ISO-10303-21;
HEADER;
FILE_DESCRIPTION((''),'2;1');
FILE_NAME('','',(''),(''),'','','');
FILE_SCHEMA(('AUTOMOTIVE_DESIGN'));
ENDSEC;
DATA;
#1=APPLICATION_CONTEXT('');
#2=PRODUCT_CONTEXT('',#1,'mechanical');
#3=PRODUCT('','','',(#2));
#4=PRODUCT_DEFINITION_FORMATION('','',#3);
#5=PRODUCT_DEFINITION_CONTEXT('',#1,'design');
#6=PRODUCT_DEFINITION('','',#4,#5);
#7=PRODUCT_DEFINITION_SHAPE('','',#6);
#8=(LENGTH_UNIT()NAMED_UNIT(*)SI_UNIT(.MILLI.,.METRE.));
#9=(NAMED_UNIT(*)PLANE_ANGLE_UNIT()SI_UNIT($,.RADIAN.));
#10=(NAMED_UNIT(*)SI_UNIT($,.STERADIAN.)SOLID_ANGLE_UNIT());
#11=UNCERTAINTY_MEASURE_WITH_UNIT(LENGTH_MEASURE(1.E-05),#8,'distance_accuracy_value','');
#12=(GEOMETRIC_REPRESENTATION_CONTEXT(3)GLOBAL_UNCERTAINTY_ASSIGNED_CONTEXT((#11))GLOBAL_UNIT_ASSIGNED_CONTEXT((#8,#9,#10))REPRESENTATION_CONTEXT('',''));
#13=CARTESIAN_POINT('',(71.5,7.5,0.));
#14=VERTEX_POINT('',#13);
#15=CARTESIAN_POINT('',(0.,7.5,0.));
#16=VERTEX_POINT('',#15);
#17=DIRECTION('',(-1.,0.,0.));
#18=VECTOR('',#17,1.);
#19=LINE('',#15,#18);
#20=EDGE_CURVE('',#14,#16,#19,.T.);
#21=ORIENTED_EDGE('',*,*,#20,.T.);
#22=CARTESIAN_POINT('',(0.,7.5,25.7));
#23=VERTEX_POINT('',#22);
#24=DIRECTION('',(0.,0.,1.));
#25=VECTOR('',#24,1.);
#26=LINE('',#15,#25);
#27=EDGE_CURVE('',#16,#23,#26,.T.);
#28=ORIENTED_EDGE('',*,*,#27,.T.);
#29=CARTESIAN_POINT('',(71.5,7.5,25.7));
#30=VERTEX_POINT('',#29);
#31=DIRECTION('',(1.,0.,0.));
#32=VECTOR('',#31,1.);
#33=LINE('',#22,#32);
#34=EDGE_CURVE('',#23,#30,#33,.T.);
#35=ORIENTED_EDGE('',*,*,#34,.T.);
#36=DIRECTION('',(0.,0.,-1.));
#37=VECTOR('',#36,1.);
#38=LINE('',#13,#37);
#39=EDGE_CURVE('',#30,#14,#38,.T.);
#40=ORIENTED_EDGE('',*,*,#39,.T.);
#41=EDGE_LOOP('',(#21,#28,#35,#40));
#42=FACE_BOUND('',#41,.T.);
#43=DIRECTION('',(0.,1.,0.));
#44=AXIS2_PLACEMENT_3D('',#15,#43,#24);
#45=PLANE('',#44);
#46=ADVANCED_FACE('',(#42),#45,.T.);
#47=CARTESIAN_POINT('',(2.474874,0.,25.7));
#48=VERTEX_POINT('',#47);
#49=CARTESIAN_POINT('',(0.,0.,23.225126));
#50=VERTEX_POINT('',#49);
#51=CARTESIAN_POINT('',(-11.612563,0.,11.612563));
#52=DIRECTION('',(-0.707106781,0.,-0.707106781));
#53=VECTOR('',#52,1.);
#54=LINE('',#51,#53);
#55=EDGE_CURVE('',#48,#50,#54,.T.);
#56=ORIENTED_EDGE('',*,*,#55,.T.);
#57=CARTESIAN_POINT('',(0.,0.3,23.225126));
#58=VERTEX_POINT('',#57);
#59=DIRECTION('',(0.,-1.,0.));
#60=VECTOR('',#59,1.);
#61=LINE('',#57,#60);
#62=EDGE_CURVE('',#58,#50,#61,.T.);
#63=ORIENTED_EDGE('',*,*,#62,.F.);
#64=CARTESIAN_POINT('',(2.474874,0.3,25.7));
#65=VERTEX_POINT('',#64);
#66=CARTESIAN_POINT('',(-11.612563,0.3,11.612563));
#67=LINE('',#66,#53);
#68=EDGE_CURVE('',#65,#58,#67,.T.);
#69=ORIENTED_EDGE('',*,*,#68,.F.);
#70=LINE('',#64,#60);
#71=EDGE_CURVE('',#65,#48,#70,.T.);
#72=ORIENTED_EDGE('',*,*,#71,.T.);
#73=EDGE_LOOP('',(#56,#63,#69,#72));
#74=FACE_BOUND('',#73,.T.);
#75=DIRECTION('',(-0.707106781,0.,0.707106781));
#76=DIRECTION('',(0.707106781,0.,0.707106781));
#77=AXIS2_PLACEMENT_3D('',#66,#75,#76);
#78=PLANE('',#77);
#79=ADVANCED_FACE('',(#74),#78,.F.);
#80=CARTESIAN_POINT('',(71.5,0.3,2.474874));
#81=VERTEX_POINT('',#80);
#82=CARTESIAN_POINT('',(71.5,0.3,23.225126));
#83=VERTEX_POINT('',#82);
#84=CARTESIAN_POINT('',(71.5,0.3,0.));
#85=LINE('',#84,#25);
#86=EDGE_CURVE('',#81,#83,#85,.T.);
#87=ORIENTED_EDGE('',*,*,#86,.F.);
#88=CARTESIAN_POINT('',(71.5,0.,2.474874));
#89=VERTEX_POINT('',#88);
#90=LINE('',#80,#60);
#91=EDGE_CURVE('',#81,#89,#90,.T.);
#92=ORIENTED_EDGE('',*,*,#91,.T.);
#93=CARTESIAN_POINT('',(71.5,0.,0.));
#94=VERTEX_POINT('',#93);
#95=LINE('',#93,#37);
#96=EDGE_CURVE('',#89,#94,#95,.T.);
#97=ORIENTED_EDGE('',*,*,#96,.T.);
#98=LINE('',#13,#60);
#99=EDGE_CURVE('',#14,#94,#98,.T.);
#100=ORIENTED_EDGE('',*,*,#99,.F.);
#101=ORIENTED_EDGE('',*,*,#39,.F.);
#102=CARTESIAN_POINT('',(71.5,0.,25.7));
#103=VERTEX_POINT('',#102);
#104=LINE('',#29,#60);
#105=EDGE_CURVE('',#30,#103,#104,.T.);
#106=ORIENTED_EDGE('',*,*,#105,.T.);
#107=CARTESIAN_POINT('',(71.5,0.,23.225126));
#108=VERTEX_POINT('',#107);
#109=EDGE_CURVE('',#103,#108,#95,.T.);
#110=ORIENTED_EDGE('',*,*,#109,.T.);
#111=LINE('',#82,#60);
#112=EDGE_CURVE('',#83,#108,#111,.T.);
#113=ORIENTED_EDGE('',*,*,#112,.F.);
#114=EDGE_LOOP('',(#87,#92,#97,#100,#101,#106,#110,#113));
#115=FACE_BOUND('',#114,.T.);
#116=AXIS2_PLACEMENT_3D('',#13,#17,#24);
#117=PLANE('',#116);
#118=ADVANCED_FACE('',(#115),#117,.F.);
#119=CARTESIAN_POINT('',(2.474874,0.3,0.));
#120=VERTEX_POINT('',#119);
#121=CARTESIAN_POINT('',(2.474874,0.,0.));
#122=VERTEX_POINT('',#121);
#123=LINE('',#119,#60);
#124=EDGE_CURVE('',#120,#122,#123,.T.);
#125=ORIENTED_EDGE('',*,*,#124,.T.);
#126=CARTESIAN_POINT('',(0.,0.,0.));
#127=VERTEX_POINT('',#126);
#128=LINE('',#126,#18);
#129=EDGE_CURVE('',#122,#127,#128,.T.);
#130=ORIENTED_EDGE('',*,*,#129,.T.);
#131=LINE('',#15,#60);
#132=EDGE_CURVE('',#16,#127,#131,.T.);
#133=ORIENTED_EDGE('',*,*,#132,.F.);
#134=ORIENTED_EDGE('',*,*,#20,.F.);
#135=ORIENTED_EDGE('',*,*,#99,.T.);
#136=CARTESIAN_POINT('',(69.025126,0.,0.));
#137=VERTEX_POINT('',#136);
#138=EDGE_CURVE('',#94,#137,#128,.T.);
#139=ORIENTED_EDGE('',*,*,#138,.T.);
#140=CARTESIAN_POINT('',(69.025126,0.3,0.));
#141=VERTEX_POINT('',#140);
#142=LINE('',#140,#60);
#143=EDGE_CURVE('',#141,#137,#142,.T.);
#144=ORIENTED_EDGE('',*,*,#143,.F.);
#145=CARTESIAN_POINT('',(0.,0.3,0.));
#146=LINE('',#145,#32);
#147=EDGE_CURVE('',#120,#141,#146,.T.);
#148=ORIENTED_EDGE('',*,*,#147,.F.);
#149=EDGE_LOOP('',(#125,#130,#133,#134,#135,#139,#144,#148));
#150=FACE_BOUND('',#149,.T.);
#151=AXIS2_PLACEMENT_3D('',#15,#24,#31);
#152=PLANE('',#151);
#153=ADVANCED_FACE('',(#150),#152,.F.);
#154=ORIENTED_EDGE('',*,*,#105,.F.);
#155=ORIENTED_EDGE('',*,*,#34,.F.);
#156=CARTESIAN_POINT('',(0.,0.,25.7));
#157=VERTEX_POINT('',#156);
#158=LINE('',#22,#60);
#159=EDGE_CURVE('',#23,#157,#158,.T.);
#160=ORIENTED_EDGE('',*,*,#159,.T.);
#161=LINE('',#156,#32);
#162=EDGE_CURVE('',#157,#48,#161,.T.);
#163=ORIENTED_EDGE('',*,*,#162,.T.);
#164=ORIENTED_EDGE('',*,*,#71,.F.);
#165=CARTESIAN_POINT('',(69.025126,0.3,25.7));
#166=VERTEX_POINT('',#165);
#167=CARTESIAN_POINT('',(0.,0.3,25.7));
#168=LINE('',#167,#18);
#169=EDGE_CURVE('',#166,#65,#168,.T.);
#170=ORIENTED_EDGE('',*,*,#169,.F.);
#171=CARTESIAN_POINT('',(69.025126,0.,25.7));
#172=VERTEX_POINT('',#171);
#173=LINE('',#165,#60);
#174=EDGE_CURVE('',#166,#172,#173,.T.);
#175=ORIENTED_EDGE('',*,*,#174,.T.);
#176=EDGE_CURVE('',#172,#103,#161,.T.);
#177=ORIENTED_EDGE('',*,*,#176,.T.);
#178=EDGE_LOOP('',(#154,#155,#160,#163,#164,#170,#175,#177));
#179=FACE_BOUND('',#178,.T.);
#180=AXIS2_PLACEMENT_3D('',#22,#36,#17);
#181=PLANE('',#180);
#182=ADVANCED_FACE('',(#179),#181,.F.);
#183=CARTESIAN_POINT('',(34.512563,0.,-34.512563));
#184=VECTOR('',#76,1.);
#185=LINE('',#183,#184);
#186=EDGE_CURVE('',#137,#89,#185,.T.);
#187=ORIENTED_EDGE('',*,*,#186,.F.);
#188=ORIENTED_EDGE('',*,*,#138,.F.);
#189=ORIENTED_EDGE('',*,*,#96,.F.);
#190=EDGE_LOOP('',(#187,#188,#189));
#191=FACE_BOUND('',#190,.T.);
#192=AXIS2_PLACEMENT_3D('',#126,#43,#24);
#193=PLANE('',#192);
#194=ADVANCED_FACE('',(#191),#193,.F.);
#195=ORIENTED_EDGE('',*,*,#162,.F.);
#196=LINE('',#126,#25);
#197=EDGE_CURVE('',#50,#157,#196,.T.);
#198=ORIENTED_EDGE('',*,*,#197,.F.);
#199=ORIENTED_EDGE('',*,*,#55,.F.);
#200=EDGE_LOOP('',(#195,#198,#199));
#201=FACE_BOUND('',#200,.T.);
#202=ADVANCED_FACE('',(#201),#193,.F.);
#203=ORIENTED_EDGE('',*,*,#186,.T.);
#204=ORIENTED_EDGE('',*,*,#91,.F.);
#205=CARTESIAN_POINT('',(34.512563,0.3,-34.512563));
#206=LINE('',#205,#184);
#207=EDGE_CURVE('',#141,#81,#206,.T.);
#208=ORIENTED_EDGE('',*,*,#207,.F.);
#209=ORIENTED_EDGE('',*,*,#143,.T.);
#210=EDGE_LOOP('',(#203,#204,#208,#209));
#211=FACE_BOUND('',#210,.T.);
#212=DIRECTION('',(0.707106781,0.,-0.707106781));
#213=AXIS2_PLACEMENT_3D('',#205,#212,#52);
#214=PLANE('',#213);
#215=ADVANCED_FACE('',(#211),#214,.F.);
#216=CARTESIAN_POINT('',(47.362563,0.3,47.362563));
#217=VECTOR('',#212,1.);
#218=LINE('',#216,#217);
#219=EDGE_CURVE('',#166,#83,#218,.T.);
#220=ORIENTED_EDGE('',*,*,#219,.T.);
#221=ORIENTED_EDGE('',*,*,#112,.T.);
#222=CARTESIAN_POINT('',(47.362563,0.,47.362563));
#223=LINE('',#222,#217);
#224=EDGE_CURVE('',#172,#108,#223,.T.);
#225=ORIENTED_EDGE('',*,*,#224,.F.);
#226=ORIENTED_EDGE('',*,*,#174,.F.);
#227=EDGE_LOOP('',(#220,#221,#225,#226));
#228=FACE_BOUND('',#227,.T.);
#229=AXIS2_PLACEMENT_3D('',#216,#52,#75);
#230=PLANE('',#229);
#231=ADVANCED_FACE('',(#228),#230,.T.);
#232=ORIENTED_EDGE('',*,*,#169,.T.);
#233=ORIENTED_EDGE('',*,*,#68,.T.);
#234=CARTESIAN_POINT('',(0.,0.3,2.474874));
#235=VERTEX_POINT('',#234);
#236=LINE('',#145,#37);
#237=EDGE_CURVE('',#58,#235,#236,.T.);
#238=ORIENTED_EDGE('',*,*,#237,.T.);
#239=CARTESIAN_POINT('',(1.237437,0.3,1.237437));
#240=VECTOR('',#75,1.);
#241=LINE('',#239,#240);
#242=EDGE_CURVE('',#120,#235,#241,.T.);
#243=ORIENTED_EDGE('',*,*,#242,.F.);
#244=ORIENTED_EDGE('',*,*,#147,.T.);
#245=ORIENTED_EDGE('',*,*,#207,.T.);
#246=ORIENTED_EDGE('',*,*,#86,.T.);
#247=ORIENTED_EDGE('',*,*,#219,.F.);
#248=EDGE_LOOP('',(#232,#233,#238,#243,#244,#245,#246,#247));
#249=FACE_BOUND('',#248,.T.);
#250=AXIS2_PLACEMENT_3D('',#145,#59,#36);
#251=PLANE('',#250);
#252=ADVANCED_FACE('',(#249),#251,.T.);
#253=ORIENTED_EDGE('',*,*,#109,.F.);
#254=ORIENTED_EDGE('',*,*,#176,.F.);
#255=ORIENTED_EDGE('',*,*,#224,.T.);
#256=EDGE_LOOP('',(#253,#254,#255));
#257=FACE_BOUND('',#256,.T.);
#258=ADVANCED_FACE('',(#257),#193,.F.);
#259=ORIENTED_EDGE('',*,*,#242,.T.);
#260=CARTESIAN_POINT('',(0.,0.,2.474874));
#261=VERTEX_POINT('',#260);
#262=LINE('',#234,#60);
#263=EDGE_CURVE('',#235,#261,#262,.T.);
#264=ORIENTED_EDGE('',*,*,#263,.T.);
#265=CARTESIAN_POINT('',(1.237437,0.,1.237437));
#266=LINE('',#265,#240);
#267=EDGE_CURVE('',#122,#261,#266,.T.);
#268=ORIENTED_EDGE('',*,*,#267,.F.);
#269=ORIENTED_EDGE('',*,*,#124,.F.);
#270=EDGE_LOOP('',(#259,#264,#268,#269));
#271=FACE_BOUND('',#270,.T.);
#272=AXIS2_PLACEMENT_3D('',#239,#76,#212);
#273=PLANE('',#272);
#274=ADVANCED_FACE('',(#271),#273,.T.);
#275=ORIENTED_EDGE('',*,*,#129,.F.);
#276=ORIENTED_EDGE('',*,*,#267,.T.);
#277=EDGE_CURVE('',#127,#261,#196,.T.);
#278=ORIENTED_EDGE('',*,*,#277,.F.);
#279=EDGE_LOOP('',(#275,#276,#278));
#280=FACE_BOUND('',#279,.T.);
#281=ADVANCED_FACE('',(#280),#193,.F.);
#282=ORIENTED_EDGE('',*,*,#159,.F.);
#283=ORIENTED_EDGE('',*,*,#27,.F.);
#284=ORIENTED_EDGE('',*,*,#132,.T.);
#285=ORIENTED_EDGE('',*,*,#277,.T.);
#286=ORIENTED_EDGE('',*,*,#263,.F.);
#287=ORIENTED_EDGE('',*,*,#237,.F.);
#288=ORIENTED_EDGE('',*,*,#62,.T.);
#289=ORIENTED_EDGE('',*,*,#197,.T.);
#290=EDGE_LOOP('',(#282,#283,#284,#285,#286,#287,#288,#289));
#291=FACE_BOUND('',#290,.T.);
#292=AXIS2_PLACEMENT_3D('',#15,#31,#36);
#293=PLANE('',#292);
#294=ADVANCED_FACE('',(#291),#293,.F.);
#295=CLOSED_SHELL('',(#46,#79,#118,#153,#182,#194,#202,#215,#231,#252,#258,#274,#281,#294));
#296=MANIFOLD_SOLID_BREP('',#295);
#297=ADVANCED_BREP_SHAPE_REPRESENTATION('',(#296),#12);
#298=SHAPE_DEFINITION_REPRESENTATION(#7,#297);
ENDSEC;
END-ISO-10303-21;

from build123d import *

# Parameters (mm, degrees)
SKETCH_1_W          = 71.5
SKETCH_1_H          = 25.7
EXTRUDE_1_DEPTH     = 7.5
CUT_EXTRUDE_1_DEPTH = 0.3


with BuildPart() as part:
    # 草图1 → 凸台-拉伸1 (new body)
    with BuildSketch(Plane(origin=(0, 0, 0), x_dir=(1, 0, 0), z_dir=(0, 1, 0))):
        with Locations((35.75, -12.85)):
            Rectangle(SKETCH_1_W, SKETCH_1_H)
    extrude(amount=EXTRUDE_1_DEPTH)

    # 草图2 → 切除-拉伸1 (cut)
    with BuildSketch(Plane.XZ):
        Polygon((69.025126266, 25.7), (2.474873734, 25.7), (0, 23.225126266), (0, 2.474873734), (2.474873734, 0), (69.025126266, 0), (71.5, 2.474873734), (71.5, 23.225126266), align=None)
    extrude(amount=-CUT_EXTRUDE_1_DEPTH, mode=Mode.SUBTRACT)


solid = part.part
